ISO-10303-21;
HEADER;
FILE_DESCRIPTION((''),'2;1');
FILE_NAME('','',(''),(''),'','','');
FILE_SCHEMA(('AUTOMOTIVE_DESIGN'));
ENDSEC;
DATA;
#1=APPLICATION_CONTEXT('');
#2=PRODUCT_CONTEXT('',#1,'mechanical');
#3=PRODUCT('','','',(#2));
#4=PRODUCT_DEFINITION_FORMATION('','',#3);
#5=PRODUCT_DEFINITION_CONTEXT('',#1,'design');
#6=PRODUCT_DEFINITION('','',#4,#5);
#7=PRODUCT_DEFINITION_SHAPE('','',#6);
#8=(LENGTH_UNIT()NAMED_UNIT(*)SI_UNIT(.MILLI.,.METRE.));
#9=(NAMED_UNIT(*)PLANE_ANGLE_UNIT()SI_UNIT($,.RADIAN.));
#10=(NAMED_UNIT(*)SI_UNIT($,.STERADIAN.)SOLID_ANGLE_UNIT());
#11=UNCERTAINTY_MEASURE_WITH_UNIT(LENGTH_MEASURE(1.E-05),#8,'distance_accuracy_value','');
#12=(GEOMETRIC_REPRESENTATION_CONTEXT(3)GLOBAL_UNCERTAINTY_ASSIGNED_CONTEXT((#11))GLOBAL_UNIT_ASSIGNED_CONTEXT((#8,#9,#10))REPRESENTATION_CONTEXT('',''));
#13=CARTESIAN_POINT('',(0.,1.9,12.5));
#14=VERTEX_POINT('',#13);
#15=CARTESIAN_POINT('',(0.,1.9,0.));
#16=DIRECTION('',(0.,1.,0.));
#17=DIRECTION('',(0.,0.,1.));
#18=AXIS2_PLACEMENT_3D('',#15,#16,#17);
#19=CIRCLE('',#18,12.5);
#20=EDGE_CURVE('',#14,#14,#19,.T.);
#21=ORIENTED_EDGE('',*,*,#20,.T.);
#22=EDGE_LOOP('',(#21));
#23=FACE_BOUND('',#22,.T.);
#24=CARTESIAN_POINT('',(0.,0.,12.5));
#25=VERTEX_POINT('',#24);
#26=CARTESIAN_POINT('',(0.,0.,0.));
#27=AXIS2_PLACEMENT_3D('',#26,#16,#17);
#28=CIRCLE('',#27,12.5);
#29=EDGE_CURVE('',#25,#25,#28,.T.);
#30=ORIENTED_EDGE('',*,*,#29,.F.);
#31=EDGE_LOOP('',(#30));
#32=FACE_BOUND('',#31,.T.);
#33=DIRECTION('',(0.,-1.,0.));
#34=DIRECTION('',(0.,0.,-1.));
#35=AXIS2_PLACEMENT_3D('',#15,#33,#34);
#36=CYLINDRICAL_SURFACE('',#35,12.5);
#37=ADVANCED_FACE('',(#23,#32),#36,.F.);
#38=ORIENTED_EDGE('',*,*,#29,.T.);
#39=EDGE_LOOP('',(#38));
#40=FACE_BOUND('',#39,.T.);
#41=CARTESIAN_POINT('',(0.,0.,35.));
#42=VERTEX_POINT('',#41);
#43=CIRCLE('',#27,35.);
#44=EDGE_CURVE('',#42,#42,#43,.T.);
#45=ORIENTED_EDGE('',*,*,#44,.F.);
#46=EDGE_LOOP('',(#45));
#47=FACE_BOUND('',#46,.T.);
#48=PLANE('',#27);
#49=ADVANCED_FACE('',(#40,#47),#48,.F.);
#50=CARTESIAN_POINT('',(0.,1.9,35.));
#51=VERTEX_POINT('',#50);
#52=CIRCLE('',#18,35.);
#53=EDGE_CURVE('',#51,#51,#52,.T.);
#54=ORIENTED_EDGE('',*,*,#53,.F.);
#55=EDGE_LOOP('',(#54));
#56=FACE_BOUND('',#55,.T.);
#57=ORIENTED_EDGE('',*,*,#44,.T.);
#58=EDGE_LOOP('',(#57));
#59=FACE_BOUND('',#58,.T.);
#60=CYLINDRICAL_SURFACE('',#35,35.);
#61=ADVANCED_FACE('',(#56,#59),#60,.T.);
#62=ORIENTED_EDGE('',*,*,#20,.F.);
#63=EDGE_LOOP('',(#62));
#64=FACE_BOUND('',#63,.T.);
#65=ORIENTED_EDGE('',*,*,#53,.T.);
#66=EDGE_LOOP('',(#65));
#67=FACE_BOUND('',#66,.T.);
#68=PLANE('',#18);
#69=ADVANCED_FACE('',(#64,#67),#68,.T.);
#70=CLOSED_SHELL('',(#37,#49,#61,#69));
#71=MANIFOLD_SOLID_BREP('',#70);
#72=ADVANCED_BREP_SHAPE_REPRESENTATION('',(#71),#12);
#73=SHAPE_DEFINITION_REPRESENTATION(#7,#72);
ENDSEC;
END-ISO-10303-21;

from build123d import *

# Parameters (mm, degrees)
SKETCH1_R           = 35
SKETCH1_R_2         = 12.5
BOSS_EXTRUDE1_DEPTH = 1.9


with BuildPart() as part:
    # Sketch1 → Boss-Extrude1 (new body)
    with BuildSketch(Plane(origin=(0, 0, 0), x_dir=(1, 0, 0), z_dir=(0, 1, 0))):
        Circle(SKETCH1_R)
        Circle(SKETCH1_R_2, mode=Mode.SUBTRACT)
    extrude(amount=BOSS_EXTRUDE1_DEPTH)


solid = part.part
